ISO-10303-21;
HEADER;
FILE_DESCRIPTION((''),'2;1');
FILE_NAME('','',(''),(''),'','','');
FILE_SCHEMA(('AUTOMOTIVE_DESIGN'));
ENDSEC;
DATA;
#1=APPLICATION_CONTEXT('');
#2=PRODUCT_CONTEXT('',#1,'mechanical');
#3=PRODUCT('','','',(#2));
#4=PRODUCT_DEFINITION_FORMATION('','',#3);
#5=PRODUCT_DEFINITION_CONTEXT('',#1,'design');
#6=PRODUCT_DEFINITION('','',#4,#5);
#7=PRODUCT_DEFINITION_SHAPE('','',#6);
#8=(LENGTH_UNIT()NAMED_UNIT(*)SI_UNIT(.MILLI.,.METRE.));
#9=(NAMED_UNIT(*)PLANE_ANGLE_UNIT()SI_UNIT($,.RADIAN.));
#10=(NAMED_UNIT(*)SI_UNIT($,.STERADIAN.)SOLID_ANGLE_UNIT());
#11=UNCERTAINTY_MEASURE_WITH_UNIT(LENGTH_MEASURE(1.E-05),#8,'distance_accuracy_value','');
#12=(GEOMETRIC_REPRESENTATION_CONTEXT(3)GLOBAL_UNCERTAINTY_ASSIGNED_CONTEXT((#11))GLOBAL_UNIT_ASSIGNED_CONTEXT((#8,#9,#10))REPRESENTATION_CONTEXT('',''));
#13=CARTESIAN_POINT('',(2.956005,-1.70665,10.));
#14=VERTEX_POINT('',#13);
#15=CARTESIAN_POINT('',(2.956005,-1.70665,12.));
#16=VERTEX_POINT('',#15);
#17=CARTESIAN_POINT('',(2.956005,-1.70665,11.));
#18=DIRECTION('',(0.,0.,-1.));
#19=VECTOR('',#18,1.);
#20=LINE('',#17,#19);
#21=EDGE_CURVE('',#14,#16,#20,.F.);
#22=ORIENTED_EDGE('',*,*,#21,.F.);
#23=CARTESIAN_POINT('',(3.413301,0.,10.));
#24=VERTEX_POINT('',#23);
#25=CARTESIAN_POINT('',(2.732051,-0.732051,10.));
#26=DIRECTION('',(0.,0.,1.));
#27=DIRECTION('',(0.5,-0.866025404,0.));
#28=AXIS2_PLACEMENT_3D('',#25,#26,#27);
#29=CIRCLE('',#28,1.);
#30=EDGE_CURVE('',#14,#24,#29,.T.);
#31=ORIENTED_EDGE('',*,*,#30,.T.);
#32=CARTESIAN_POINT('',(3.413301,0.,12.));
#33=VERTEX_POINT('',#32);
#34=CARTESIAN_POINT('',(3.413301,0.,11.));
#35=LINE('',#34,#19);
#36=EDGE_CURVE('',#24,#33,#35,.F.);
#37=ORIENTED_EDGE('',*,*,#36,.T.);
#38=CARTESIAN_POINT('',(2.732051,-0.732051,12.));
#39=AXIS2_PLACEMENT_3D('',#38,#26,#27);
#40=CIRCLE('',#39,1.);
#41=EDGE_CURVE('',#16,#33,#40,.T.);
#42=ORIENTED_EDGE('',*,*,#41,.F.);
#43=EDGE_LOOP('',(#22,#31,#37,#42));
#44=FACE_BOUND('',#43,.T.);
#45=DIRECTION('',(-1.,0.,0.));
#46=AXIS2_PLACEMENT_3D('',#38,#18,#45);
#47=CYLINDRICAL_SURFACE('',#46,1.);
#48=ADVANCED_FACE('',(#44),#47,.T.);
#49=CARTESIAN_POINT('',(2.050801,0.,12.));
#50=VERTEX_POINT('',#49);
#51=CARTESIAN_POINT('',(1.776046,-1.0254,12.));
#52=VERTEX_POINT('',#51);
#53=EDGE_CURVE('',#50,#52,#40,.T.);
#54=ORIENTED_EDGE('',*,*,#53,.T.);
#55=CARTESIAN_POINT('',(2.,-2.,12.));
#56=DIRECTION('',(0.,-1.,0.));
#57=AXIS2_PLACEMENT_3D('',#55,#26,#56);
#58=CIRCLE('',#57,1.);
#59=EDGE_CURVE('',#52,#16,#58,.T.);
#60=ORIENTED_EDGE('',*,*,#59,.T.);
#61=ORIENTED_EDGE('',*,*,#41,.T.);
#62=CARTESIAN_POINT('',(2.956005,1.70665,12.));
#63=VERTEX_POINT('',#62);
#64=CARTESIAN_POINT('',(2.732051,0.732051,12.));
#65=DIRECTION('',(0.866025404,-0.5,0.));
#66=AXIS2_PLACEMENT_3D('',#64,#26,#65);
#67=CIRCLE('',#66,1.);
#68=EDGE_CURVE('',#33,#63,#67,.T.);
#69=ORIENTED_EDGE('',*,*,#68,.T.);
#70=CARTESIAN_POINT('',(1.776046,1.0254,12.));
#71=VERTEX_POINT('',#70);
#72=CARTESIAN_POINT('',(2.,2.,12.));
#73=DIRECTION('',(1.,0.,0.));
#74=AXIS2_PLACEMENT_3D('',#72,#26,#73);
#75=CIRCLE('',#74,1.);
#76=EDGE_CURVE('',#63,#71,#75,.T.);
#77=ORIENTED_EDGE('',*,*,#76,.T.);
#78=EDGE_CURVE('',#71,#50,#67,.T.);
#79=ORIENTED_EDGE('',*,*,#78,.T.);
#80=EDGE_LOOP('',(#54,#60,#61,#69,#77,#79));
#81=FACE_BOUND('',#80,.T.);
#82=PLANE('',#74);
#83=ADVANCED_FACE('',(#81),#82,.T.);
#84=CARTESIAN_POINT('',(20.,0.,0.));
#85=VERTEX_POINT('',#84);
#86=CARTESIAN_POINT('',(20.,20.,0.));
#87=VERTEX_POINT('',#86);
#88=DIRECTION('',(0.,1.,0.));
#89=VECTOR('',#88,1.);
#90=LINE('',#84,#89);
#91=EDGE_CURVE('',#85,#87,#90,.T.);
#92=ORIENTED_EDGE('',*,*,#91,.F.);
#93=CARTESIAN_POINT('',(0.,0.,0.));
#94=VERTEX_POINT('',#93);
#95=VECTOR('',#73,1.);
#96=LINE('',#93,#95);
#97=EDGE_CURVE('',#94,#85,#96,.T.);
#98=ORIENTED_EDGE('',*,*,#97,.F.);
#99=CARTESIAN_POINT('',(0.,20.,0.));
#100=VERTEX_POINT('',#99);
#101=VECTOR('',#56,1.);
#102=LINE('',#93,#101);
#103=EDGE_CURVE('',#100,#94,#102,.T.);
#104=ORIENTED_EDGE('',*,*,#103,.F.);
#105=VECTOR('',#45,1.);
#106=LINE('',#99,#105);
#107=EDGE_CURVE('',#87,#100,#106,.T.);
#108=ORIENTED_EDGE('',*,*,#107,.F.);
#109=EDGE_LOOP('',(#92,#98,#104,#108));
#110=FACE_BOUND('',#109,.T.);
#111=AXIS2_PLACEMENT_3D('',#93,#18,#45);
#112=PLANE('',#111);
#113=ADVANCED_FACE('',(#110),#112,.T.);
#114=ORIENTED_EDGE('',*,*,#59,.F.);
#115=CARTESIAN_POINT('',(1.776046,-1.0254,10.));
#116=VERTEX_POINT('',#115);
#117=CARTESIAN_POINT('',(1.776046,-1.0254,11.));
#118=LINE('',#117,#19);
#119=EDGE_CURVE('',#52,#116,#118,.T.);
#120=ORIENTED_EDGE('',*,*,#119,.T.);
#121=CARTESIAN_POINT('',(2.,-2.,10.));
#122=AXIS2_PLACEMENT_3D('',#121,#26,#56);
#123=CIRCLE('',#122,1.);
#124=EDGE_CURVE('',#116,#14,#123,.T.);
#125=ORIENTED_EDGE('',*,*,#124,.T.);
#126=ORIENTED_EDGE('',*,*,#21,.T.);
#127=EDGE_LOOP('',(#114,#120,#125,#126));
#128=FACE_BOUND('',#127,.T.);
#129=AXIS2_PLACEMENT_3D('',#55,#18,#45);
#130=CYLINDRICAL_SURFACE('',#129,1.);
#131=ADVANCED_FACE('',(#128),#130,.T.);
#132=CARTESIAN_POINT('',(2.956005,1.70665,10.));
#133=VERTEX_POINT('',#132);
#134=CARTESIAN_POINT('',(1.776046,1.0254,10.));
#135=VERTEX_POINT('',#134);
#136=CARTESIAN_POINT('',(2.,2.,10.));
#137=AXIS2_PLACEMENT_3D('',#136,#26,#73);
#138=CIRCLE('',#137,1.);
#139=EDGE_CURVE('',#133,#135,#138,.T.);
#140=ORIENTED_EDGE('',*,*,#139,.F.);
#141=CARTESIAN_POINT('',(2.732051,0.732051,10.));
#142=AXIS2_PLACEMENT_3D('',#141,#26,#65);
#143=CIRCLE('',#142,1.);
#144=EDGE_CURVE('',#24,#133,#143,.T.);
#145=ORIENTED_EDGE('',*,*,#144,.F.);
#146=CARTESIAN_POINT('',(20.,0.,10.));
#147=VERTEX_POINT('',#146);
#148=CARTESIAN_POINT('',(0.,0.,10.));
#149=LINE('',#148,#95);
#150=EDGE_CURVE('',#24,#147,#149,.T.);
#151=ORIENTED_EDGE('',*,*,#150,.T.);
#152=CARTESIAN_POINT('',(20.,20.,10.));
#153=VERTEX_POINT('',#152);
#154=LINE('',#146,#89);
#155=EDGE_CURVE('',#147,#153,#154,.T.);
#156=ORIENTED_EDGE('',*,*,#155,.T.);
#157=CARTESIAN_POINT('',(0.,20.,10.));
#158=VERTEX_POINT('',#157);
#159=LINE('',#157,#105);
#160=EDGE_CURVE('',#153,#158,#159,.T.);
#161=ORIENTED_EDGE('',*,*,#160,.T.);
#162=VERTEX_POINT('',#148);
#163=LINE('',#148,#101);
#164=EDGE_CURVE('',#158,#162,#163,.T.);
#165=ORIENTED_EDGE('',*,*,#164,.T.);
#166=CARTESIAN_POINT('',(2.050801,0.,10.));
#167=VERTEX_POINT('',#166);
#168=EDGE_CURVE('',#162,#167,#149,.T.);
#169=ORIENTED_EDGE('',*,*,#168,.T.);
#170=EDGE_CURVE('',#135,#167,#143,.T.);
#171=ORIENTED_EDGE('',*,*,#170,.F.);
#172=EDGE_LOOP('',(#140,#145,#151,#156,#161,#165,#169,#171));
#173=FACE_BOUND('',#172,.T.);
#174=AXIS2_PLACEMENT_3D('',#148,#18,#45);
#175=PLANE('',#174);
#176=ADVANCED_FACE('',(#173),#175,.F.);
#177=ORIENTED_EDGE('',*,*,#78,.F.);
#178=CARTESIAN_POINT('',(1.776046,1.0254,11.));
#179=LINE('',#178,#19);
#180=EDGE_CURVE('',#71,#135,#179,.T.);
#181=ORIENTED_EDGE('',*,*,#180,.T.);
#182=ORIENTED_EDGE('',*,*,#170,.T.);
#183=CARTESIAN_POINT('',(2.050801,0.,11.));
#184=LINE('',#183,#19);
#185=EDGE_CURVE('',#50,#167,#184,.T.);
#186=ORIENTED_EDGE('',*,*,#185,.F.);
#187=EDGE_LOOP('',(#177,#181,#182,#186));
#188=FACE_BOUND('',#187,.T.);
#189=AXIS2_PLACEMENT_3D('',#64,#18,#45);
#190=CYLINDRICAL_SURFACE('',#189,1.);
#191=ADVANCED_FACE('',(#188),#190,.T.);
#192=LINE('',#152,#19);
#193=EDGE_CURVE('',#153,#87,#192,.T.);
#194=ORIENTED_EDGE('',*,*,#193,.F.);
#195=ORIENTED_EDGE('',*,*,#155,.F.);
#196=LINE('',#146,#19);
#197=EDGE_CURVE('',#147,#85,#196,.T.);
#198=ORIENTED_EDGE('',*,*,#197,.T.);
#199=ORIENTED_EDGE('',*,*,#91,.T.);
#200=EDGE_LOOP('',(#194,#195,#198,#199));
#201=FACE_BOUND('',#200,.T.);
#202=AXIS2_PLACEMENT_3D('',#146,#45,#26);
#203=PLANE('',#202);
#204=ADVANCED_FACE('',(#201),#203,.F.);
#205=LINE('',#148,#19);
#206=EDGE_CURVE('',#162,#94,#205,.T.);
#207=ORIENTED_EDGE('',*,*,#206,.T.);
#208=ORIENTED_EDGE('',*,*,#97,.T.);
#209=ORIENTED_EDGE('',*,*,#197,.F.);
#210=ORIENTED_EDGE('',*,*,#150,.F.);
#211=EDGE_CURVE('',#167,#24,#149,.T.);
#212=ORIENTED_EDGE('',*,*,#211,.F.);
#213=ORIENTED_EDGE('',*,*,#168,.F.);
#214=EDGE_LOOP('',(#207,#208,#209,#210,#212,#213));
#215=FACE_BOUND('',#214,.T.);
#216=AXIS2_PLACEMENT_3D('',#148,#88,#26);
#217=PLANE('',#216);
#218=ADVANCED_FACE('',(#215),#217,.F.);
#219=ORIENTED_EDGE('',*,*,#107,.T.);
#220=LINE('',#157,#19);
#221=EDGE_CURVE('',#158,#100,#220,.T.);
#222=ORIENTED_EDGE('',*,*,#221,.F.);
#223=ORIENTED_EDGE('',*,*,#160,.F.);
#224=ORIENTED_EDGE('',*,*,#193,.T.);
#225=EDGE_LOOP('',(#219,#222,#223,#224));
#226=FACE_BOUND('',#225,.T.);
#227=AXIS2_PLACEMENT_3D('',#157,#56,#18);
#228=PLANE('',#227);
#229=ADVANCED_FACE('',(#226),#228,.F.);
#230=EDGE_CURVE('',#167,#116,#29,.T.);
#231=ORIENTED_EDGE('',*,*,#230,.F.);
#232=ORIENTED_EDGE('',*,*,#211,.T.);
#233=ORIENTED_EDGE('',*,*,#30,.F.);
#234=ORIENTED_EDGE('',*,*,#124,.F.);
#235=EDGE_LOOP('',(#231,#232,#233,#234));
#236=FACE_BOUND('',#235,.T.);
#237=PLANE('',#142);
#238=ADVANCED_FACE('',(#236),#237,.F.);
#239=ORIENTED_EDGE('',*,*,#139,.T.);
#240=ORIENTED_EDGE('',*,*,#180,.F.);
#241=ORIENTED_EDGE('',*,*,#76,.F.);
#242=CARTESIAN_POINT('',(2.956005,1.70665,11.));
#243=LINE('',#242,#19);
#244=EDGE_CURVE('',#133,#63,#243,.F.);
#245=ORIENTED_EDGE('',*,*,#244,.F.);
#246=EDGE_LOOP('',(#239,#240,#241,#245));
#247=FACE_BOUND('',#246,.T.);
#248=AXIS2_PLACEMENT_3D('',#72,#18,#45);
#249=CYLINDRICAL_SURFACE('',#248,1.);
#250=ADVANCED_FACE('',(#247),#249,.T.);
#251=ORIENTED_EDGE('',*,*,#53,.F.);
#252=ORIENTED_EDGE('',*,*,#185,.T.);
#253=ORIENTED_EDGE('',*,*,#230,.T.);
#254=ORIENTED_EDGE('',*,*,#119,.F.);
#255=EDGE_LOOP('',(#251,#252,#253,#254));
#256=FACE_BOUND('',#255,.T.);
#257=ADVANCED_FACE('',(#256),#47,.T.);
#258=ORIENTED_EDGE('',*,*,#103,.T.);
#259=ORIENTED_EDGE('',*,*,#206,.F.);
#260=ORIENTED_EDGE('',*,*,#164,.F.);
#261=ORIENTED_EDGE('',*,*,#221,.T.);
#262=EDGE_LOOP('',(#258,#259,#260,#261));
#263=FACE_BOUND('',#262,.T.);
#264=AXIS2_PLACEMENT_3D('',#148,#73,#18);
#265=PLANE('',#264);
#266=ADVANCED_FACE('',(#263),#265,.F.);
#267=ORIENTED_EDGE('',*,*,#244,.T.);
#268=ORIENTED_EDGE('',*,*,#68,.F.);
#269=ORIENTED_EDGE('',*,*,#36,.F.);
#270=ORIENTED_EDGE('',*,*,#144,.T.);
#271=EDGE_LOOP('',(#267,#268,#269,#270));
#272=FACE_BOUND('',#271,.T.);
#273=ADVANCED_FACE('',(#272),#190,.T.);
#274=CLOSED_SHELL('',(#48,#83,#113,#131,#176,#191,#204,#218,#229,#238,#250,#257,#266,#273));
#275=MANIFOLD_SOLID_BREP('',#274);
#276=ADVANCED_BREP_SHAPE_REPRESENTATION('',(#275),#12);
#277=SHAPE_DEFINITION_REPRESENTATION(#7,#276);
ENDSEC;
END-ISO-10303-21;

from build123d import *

# Parameters (mm, degrees)
SKETCH_1_W            = 20
SKETCH_1_H            = 20
BASEBOX_DEPTH         = 10
SKETCH_2_R            = 1
BOSSSEED_DEPTH        = 2
CIRCULARPATTERN_COUNT = 4
CIRCULARPATTERN_ANGLE = 90


with BuildPart() as part:
    # 草图1 → BaseBox (new body)
    with BuildSketch(Plane.XY):
        with Locations((10, 10)):
            Rectangle(SKETCH_1_W, SKETCH_1_H)
    extrude(amount=BASEBOX_DEPTH)

    # 草图2 → BossSeed (add)
    with BuildSketch(Plane.XY.offset(10)):
        with Locations((2, 2)):
            Circle(SKETCH_2_R)
    bossseed = extrude(amount=BOSSSEED_DEPTH)

    # CircularPattern: BossSeed ×4 about axis
    circularpattern_axis = Axis((0, 0, 0), (0, 0, -1))
    for i in range(1, CIRCULARPATTERN_COUNT):
        add(bossseed.rotate(circularpattern_axis, i * CIRCULARPATTERN_ANGLE / (CIRCULARPATTERN_COUNT - 1)))


solid = part.part
